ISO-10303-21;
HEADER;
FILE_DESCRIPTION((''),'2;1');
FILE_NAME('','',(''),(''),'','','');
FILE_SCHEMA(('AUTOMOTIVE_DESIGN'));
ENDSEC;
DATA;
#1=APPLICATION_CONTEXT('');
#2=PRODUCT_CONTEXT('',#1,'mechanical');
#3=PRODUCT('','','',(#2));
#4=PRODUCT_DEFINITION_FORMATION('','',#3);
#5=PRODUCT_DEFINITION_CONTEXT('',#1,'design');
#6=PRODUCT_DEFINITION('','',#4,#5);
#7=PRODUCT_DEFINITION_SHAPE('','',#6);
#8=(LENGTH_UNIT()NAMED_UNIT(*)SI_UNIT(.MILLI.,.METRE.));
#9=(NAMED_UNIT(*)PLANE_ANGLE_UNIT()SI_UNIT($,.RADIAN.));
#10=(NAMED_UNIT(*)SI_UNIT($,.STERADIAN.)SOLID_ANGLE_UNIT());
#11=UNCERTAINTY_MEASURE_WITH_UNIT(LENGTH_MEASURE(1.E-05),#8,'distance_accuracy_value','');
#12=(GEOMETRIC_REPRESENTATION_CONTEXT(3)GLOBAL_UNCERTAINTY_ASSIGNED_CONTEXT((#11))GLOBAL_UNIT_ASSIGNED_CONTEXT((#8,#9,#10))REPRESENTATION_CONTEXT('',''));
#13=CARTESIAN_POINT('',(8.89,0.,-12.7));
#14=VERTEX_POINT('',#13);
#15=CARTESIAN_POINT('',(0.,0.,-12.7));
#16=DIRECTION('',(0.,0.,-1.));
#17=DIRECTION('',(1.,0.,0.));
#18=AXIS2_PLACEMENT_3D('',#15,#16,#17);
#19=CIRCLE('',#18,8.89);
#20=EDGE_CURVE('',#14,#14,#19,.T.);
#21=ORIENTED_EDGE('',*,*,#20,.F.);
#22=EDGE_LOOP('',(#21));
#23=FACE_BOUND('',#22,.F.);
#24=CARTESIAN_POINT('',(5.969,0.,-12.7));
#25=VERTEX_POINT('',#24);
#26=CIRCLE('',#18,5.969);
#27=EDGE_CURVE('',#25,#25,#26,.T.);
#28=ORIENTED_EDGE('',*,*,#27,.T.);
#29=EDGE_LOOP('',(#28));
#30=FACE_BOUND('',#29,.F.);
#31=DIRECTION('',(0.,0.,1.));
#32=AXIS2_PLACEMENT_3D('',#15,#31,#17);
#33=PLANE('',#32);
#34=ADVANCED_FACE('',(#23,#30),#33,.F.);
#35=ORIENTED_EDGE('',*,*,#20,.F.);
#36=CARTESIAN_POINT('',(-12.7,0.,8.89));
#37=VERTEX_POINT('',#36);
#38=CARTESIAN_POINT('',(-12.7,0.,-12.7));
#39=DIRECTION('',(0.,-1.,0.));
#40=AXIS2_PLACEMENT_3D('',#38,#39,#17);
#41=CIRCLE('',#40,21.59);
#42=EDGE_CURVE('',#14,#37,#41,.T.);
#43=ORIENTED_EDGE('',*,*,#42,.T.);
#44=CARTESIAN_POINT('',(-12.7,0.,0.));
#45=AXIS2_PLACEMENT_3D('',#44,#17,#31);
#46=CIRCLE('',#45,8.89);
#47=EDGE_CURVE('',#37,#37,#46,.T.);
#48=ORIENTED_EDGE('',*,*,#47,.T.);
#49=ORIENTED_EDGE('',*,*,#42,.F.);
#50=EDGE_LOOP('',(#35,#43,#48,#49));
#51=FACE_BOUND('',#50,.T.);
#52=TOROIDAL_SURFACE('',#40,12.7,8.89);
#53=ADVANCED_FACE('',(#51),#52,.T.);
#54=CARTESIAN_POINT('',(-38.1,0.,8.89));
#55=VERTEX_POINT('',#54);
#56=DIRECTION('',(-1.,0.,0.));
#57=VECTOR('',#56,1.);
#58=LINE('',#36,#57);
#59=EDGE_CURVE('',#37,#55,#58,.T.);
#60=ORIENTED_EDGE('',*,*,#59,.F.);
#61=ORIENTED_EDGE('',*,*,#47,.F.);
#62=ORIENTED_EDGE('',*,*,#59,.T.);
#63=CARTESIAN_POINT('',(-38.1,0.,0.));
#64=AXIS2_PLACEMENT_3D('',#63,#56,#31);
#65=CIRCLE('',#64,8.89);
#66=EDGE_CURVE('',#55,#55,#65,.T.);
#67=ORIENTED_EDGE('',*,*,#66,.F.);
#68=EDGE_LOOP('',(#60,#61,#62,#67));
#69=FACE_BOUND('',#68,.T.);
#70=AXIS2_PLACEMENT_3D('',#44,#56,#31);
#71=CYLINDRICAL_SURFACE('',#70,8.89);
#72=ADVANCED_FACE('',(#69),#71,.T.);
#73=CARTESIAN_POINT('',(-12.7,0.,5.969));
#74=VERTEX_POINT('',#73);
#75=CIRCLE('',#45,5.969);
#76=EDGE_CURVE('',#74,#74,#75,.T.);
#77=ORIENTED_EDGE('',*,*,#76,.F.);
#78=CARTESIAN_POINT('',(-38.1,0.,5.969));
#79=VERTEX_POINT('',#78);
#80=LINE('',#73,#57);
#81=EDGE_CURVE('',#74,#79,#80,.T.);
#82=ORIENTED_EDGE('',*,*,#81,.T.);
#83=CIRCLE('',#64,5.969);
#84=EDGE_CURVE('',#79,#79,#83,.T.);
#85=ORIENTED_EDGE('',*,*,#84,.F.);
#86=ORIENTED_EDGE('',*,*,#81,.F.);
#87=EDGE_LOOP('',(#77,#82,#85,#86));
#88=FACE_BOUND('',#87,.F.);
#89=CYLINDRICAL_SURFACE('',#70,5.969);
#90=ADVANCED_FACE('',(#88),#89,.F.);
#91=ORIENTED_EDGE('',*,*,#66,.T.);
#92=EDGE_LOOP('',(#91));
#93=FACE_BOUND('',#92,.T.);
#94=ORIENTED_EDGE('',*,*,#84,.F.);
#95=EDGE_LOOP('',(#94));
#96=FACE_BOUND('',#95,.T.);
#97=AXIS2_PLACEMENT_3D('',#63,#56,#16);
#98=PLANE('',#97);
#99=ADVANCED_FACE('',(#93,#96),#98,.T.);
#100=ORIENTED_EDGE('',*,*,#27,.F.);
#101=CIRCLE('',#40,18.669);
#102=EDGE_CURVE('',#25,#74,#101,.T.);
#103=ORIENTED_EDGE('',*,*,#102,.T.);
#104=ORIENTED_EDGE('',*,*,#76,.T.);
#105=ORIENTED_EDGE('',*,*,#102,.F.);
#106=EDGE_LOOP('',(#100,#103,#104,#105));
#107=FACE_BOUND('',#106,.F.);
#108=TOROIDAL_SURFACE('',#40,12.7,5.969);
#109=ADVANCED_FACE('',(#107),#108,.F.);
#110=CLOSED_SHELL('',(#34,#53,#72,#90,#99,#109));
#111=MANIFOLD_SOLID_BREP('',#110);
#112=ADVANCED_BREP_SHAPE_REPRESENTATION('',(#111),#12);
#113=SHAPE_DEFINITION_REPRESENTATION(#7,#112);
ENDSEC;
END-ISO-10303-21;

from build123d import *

# Parameters (mm, degrees)
F2_R   = 8.89
F2_R_2 = 5.969


with BuildPart() as f3:
    # F3: sweep along a path in F0
    with BuildLine(Plane.XZ) as f3_path:
        ThreePointArc((0, -12.7), (-3.7197438789, -3.7197438789), (-12.7, 0))
        Line((-12.7, 0), (-38.1, 0))
    # F2 (on line) → F3 (sweep)
    with BuildSketch(Plane.XY.offset(-12.7)):
        Circle(F2_R)
        Circle(F2_R_2, mode=Mode.SUBTRACT)
    sweep(path=f3_path.line)


solid = f3.part
